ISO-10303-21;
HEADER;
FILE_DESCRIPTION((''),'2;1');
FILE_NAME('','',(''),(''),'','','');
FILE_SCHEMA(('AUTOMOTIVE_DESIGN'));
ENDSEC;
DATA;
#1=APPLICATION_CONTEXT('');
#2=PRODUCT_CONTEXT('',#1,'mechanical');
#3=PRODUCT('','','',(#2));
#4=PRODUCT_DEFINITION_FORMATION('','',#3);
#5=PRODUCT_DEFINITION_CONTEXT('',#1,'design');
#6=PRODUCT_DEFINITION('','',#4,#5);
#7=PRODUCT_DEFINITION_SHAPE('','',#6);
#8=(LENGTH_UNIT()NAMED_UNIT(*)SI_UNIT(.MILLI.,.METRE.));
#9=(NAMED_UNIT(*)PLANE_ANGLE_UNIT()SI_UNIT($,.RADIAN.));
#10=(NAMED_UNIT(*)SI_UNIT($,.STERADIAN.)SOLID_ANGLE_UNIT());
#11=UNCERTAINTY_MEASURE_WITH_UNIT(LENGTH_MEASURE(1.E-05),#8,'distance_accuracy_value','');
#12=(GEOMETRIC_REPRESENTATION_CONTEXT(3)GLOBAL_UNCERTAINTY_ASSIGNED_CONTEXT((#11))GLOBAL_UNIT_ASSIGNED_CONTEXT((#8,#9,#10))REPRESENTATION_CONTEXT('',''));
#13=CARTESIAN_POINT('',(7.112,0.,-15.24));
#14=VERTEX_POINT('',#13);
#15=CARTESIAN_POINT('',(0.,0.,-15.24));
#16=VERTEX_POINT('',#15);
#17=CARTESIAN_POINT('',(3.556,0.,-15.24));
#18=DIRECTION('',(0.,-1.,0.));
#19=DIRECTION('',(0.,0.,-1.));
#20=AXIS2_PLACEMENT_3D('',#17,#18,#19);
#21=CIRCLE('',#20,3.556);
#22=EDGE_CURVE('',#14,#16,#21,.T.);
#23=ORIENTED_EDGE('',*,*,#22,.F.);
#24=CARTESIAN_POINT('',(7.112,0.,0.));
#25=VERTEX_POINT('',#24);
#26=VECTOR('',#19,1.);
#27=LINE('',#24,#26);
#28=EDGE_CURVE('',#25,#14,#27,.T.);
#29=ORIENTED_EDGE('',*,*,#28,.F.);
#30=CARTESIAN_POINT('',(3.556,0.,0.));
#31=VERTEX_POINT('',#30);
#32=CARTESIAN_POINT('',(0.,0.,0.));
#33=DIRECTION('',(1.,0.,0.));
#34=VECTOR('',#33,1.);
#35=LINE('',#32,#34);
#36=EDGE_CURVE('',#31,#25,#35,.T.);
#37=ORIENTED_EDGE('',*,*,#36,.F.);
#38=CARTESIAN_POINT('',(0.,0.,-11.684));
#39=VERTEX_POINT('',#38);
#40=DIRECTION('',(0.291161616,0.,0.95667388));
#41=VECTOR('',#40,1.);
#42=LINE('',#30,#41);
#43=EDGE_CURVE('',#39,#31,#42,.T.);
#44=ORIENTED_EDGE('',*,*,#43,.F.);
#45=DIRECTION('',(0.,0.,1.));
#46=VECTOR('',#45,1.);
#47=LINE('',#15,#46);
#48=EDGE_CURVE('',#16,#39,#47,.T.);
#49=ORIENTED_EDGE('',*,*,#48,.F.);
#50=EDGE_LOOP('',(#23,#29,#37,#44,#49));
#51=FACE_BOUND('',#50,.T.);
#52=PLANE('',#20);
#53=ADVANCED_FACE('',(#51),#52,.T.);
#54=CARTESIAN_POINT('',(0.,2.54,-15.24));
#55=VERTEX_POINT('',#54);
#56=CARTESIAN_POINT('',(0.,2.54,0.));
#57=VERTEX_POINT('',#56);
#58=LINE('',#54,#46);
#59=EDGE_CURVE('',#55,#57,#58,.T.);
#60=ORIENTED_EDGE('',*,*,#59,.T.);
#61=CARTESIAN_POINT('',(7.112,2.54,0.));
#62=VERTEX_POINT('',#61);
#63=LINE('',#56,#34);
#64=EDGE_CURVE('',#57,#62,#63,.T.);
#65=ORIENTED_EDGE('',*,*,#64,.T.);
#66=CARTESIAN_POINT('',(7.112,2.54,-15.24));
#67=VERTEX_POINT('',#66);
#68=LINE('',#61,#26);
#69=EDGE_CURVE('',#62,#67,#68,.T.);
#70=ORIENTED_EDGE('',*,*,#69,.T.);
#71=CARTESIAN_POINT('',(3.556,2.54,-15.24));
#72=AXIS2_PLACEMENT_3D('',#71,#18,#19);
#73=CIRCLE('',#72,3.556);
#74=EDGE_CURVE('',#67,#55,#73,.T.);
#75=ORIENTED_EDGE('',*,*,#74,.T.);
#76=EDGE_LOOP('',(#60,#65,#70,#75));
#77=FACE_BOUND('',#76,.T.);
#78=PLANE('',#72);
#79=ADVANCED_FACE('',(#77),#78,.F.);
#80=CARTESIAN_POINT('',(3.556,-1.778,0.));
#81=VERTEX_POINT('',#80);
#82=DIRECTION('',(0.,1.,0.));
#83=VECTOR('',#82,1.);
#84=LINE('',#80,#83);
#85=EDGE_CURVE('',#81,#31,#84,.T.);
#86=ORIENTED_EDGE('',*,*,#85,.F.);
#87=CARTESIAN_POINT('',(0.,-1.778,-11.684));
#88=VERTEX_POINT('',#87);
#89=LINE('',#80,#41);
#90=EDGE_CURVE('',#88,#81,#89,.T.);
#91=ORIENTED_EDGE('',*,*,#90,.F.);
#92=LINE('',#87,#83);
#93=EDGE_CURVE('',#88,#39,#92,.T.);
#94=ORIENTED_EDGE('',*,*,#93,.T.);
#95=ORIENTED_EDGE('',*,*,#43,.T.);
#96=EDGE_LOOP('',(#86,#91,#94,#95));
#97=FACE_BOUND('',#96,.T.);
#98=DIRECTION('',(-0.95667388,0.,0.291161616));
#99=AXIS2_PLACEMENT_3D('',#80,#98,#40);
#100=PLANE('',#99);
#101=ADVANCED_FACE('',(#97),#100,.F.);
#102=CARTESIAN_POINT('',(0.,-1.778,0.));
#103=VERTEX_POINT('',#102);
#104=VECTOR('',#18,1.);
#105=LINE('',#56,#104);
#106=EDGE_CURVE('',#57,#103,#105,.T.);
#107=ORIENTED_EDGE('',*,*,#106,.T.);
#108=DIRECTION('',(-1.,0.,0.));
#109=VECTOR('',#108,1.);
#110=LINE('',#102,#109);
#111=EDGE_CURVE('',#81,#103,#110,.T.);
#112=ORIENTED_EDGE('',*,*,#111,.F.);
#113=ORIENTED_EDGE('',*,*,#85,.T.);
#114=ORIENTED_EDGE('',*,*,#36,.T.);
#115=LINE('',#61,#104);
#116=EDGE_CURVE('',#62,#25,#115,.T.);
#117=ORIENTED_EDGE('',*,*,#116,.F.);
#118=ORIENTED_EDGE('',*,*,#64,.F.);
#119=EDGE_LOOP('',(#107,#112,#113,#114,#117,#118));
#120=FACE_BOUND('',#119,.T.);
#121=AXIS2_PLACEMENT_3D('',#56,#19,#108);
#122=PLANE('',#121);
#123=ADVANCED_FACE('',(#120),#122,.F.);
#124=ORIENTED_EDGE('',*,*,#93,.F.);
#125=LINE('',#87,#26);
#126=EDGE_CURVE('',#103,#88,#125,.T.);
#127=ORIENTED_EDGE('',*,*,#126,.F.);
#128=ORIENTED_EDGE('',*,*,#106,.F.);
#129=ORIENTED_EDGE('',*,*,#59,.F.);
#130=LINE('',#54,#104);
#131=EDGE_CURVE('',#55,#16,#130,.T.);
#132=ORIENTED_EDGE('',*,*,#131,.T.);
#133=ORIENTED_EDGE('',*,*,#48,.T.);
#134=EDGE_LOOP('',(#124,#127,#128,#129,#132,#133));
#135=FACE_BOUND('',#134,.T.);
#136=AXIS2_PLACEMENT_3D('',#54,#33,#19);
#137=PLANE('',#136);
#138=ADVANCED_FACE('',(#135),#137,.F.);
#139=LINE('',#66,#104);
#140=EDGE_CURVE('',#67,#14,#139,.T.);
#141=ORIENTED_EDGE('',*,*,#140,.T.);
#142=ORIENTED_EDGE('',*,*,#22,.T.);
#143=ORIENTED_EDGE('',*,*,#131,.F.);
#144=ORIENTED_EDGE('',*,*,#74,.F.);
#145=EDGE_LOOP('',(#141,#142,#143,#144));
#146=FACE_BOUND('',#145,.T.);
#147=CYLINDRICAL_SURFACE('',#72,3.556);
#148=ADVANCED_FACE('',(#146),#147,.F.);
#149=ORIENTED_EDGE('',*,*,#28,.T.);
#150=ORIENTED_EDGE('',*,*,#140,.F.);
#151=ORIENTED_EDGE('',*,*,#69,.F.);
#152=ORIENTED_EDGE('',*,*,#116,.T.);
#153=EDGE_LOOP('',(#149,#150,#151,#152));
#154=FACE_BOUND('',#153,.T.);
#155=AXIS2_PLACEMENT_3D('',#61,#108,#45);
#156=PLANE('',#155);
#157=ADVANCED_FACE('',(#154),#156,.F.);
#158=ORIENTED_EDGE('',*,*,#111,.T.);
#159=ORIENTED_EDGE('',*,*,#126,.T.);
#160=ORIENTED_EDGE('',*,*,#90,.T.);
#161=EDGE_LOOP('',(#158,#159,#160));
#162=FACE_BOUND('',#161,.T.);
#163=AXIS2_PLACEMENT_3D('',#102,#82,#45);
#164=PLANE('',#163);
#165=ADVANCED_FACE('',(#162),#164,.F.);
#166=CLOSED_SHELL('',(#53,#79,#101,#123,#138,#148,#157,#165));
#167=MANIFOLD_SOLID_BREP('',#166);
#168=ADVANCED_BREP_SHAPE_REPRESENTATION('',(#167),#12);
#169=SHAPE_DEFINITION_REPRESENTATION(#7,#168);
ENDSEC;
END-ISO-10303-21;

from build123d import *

# Parameters (mm, degrees)
BOSS_EXTRUDE1_DEPTH = 2.54
BOSS_EXTRUDE2_DEPTH = 1.778


with BuildPart() as part:
    # Sketch1 → Boss-Extrude1 (new body)
    with BuildSketch(Plane(origin=(0, 0, 0), x_dir=(1, 0, 0), z_dir=(0, 1, 0))):
        with BuildLine():
            Line((0, 15.24), (0, 0))
            Line((0, 0), (7.112, 0))
            Line((7.112, 0), (7.112, 15.24))
            ThreePointArc((7.112, 15.24), (3.556, 11.684), (0, 15.24))
        make_face()
    extrude(amount=BOSS_EXTRUDE1_DEPTH)

    # Sketch2 → Boss-Extrude2 (add)
    with BuildSketch(Plane.XZ):
        Polygon((0, 0), (3.556, 0), (0, -11.684), align=None)
    extrude(amount=BOSS_EXTRUDE2_DEPTH)


solid = part.part
